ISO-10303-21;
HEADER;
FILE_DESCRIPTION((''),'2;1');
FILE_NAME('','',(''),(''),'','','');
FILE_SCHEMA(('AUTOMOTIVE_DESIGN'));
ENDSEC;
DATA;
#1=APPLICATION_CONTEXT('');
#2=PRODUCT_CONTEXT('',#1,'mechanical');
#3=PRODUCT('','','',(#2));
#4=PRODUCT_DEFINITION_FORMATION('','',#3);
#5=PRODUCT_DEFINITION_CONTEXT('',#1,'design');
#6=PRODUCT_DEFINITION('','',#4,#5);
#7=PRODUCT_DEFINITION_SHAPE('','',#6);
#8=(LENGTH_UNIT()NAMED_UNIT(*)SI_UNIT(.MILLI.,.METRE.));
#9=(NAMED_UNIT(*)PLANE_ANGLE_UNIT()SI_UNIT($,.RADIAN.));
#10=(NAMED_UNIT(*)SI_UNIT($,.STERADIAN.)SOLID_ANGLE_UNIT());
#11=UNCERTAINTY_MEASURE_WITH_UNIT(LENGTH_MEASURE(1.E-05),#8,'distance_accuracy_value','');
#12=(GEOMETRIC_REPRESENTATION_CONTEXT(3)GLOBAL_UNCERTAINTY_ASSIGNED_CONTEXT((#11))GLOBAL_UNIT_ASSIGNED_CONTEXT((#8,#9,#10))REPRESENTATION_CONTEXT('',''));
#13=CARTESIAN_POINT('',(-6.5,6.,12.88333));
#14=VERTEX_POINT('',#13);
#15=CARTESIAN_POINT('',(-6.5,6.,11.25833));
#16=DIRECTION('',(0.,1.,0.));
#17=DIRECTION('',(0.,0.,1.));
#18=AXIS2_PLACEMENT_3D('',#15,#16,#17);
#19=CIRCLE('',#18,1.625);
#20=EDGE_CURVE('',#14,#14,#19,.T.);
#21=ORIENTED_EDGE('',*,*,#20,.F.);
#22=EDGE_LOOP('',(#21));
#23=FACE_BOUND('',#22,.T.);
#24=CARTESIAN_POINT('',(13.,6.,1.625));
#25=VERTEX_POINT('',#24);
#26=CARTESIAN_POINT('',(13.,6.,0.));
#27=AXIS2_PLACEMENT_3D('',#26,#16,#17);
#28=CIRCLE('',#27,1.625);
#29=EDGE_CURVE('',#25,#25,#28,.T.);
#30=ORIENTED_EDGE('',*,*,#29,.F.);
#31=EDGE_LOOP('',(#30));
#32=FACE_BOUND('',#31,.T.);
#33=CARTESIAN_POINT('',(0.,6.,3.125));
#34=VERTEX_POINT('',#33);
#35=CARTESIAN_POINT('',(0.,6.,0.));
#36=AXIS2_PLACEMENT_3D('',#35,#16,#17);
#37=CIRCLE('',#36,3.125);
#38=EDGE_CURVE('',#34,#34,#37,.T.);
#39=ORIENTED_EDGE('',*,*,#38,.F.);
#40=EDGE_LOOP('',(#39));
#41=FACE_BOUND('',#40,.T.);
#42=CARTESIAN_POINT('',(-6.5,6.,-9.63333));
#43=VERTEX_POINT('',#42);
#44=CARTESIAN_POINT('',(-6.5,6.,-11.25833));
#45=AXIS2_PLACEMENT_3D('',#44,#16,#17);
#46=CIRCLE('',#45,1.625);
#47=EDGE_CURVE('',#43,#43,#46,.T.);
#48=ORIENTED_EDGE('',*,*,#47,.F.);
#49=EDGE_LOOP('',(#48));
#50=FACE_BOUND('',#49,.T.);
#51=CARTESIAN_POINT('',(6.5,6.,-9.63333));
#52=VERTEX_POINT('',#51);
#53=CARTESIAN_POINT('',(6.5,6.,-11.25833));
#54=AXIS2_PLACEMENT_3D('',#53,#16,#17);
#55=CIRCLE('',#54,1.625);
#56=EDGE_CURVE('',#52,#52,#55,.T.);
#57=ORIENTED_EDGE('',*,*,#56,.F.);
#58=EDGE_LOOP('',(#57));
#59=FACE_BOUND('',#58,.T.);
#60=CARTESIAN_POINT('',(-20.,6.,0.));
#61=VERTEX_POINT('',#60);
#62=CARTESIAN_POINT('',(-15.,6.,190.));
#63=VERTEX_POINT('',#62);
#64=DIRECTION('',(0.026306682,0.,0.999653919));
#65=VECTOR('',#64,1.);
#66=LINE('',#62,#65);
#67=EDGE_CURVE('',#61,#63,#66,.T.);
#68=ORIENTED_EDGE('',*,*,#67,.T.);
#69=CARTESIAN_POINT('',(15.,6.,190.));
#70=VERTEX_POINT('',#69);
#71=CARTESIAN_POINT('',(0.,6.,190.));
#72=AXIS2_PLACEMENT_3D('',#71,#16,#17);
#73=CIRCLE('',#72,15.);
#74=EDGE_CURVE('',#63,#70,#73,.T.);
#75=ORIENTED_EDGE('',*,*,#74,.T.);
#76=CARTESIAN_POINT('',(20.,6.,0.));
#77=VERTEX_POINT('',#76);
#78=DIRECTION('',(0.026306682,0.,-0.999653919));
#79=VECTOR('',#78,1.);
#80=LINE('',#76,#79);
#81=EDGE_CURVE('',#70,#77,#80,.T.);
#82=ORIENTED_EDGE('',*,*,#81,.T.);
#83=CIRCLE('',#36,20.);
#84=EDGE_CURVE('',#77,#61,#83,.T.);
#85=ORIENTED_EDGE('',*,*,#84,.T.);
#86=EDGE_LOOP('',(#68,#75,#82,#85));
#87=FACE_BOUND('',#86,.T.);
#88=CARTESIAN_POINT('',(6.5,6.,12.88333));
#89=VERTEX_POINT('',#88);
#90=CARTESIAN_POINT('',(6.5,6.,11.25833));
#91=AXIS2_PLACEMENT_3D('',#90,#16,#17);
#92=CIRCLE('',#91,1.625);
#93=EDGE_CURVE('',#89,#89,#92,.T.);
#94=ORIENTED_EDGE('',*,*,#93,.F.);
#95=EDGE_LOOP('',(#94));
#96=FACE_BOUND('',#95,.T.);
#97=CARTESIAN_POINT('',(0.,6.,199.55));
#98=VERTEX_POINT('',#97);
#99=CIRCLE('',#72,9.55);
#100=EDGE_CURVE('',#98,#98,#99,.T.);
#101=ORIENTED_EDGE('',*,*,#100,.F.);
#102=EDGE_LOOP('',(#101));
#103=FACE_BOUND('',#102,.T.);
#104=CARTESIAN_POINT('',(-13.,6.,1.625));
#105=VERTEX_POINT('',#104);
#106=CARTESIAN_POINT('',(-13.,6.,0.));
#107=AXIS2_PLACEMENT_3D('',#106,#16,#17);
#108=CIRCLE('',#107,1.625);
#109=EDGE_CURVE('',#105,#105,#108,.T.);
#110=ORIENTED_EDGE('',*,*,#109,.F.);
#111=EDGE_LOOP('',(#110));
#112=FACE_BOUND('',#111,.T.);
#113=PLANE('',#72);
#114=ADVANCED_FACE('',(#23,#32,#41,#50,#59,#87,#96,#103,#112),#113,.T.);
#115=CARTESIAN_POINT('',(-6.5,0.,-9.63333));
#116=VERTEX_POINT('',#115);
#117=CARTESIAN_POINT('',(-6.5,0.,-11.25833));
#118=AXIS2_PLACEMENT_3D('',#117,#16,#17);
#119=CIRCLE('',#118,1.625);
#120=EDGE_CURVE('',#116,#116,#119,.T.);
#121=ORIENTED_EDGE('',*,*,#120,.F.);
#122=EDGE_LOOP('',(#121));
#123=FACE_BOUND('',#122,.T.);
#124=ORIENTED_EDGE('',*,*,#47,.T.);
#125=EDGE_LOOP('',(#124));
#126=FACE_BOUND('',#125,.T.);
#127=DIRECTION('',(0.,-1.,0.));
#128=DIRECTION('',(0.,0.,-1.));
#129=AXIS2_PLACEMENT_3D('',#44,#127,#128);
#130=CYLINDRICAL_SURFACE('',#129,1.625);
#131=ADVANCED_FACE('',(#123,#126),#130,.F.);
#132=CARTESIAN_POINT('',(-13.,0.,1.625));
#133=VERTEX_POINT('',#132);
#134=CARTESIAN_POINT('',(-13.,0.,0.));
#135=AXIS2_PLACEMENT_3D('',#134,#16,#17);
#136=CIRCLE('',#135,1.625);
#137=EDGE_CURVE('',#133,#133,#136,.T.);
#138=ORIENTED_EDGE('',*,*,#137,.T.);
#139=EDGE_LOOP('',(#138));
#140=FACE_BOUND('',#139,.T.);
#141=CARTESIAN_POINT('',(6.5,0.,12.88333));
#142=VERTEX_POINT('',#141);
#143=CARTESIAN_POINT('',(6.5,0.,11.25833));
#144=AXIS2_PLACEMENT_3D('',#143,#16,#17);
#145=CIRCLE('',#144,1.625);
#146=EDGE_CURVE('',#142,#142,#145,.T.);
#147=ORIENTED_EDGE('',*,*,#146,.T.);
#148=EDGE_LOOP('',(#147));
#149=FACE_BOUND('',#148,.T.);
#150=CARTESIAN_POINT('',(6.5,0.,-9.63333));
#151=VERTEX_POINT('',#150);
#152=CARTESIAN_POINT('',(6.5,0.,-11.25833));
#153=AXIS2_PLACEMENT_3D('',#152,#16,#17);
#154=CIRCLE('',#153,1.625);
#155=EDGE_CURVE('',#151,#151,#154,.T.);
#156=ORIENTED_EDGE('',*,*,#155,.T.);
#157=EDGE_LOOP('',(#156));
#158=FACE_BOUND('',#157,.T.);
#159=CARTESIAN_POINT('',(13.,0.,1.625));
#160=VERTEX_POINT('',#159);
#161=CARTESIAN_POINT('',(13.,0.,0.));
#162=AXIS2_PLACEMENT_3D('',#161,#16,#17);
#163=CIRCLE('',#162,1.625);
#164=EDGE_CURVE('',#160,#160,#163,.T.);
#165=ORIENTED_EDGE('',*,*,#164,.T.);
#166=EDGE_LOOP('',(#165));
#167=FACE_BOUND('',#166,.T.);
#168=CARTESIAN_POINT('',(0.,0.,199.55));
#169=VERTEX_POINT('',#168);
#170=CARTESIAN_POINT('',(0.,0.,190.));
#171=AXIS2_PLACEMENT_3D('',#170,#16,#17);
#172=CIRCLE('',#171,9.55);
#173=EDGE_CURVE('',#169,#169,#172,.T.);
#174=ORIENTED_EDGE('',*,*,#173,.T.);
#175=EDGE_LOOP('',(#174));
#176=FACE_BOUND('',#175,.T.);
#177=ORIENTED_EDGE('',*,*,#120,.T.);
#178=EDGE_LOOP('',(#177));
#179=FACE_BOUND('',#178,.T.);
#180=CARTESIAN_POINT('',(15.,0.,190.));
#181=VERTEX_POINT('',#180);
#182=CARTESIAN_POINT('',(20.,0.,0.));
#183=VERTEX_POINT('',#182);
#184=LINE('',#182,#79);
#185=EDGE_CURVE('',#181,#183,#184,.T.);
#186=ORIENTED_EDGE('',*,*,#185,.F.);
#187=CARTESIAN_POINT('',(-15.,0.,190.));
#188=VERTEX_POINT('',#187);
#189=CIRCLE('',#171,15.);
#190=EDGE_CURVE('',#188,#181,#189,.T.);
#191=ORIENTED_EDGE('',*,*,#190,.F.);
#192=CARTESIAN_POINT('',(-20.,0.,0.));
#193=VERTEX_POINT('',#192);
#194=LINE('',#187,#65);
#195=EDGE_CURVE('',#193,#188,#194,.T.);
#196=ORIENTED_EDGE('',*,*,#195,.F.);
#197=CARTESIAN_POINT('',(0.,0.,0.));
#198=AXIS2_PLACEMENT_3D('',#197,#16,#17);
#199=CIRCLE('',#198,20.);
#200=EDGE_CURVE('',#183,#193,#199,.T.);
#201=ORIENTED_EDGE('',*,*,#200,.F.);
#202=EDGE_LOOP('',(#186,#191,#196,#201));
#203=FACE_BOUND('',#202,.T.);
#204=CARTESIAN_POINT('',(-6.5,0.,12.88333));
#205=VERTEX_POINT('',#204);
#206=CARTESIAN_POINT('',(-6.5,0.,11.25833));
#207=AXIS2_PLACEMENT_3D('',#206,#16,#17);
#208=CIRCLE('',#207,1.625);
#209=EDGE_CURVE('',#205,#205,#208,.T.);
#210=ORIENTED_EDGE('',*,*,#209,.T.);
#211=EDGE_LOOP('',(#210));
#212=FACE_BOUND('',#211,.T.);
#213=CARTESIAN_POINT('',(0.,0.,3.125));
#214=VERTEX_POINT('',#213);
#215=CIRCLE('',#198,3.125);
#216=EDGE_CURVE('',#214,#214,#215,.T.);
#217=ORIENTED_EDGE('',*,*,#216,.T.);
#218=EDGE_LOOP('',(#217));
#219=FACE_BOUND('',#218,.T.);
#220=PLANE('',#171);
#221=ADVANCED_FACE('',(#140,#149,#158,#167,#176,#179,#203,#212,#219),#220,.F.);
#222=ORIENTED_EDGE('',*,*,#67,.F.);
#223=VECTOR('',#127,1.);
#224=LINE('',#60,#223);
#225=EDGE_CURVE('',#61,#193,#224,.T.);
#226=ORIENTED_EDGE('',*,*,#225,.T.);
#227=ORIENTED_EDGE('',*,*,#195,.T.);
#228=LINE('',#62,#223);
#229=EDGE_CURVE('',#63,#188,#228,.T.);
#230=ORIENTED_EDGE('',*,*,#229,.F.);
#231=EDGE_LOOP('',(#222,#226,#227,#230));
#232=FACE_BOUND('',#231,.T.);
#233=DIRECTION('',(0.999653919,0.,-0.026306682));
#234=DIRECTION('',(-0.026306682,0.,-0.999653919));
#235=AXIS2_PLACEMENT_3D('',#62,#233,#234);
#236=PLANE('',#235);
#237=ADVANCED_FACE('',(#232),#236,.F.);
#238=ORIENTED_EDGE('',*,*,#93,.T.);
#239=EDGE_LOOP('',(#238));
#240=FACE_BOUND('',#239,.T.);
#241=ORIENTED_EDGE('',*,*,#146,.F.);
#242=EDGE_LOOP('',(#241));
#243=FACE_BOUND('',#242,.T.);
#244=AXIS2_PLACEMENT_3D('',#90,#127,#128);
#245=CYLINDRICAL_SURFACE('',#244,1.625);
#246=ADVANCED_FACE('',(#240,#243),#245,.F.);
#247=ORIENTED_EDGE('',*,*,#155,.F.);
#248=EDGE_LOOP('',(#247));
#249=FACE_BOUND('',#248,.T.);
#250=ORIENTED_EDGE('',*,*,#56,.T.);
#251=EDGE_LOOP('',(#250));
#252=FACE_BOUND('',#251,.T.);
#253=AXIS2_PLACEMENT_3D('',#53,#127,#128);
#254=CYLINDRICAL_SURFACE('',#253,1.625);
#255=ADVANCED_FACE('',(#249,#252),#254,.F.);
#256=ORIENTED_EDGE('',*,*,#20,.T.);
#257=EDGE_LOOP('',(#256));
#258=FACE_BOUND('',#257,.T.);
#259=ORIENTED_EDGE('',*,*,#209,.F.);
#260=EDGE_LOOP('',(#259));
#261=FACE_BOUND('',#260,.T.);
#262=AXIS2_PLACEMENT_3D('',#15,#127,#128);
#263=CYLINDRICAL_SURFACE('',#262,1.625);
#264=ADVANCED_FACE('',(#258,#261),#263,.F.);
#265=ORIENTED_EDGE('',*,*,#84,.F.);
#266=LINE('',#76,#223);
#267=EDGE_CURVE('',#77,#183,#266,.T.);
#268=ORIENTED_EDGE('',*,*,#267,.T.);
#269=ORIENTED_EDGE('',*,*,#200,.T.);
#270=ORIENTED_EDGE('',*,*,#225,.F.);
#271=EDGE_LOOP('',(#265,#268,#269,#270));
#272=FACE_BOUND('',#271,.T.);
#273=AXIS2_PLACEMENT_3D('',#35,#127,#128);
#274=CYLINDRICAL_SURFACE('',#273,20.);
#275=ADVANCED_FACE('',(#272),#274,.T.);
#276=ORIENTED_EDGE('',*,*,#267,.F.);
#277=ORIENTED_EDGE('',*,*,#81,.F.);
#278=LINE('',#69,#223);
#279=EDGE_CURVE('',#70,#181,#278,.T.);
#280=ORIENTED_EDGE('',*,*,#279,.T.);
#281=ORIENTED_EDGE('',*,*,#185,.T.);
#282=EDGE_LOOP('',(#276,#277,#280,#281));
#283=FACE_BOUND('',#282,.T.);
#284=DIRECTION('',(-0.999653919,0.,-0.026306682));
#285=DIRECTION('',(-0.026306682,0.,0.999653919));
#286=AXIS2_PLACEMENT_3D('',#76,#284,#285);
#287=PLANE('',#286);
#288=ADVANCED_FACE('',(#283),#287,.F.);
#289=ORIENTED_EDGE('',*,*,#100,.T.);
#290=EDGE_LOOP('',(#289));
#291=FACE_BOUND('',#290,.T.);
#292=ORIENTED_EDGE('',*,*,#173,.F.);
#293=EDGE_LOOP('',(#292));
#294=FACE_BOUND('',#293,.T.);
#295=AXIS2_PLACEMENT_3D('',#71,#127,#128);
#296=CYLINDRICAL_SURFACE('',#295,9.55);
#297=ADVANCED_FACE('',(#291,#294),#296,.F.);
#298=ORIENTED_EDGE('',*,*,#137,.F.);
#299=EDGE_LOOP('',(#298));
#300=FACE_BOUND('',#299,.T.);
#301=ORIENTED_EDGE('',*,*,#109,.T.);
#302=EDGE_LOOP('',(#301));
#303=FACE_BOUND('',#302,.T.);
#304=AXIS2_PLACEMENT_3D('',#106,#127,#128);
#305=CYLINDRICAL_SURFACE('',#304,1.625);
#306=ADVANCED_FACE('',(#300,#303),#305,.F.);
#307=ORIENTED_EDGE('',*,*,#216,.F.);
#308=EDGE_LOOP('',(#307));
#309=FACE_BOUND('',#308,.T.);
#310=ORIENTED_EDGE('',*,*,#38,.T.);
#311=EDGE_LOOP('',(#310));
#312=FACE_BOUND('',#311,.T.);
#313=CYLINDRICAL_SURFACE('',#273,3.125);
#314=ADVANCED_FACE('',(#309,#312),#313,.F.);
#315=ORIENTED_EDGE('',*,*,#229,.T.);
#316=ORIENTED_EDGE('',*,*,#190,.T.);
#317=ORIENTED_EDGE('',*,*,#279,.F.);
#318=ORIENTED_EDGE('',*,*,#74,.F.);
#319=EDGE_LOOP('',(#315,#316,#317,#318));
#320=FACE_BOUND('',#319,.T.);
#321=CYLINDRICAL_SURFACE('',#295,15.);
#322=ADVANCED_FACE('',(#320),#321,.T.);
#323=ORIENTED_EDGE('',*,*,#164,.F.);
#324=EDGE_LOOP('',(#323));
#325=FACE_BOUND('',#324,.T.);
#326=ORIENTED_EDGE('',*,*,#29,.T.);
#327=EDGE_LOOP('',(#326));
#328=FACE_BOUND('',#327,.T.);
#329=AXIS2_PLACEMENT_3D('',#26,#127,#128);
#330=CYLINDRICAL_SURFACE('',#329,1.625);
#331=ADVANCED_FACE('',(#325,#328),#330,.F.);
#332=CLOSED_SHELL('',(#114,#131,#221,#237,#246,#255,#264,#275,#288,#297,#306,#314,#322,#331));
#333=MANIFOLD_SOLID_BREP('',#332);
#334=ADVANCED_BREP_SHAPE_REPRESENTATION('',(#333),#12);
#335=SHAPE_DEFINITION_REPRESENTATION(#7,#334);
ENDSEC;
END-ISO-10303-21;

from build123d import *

# Parameters (mm, degrees)
SKETCH1_R           = 3.125
SKETCH1_R_2         = 1.625
SKETCH1_R_3         = 9.55
BOSS_EXTRUDE1_DEPTH = 6


with BuildPart() as part:
    # Sketch1 → Boss-Extrude1 (new body)
    with BuildSketch(Plane(origin=(0, 0, 0), x_dir=(1, 0, 0), z_dir=(0, 1, 0))):
        with BuildLine():
            Line((-15, -190), (-20, 0))
            ThreePointArc((-20, 0), (0, 20), (20, 0))
            Line((20, 0), (15, -190))
            ThreePointArc((15, -190), (0, -205), (-15, -190))
        make_face()
        with Locations(Location((0, 0, 0), (0, 0, 270))):
            Circle(SKETCH1_R, mode=Mode.SUBTRACT)
        with Locations(Location((-13, 0, 0), (0, 0, 270))):
            Circle(SKETCH1_R_2, mode=Mode.SUBTRACT)
        with Locations(Location((-6.5, 11.258330249, 0), (0, 0, 270))):
            Circle(SKETCH1_R_2, mode=Mode.SUBTRACT)
        with Locations(Location((6.5, 11.258330249, 0), (0, 0, 270))):
            Circle(SKETCH1_R_2, mode=Mode.SUBTRACT)
        with Locations(Location((13, 0, 0), (0, 0, 270))):
            Circle(SKETCH1_R_2, mode=Mode.SUBTRACT)
        with Locations(Location((6.5, -11.258330249, 0), (0, 0, 270))):
            Circle(SKETCH1_R_2, mode=Mode.SUBTRACT)
        with Locations(Location((-6.5, -11.258330249, 0), (0, 0, 270))):
            Circle(SKETCH1_R_2, mode=Mode.SUBTRACT)
        with Locations(Location((0, -190, 0), (0, 0, 270))):
            Circle(SKETCH1_R_3, mode=Mode.SUBTRACT)
    extrude(amount=BOSS_EXTRUDE1_DEPTH)


solid = part.part
